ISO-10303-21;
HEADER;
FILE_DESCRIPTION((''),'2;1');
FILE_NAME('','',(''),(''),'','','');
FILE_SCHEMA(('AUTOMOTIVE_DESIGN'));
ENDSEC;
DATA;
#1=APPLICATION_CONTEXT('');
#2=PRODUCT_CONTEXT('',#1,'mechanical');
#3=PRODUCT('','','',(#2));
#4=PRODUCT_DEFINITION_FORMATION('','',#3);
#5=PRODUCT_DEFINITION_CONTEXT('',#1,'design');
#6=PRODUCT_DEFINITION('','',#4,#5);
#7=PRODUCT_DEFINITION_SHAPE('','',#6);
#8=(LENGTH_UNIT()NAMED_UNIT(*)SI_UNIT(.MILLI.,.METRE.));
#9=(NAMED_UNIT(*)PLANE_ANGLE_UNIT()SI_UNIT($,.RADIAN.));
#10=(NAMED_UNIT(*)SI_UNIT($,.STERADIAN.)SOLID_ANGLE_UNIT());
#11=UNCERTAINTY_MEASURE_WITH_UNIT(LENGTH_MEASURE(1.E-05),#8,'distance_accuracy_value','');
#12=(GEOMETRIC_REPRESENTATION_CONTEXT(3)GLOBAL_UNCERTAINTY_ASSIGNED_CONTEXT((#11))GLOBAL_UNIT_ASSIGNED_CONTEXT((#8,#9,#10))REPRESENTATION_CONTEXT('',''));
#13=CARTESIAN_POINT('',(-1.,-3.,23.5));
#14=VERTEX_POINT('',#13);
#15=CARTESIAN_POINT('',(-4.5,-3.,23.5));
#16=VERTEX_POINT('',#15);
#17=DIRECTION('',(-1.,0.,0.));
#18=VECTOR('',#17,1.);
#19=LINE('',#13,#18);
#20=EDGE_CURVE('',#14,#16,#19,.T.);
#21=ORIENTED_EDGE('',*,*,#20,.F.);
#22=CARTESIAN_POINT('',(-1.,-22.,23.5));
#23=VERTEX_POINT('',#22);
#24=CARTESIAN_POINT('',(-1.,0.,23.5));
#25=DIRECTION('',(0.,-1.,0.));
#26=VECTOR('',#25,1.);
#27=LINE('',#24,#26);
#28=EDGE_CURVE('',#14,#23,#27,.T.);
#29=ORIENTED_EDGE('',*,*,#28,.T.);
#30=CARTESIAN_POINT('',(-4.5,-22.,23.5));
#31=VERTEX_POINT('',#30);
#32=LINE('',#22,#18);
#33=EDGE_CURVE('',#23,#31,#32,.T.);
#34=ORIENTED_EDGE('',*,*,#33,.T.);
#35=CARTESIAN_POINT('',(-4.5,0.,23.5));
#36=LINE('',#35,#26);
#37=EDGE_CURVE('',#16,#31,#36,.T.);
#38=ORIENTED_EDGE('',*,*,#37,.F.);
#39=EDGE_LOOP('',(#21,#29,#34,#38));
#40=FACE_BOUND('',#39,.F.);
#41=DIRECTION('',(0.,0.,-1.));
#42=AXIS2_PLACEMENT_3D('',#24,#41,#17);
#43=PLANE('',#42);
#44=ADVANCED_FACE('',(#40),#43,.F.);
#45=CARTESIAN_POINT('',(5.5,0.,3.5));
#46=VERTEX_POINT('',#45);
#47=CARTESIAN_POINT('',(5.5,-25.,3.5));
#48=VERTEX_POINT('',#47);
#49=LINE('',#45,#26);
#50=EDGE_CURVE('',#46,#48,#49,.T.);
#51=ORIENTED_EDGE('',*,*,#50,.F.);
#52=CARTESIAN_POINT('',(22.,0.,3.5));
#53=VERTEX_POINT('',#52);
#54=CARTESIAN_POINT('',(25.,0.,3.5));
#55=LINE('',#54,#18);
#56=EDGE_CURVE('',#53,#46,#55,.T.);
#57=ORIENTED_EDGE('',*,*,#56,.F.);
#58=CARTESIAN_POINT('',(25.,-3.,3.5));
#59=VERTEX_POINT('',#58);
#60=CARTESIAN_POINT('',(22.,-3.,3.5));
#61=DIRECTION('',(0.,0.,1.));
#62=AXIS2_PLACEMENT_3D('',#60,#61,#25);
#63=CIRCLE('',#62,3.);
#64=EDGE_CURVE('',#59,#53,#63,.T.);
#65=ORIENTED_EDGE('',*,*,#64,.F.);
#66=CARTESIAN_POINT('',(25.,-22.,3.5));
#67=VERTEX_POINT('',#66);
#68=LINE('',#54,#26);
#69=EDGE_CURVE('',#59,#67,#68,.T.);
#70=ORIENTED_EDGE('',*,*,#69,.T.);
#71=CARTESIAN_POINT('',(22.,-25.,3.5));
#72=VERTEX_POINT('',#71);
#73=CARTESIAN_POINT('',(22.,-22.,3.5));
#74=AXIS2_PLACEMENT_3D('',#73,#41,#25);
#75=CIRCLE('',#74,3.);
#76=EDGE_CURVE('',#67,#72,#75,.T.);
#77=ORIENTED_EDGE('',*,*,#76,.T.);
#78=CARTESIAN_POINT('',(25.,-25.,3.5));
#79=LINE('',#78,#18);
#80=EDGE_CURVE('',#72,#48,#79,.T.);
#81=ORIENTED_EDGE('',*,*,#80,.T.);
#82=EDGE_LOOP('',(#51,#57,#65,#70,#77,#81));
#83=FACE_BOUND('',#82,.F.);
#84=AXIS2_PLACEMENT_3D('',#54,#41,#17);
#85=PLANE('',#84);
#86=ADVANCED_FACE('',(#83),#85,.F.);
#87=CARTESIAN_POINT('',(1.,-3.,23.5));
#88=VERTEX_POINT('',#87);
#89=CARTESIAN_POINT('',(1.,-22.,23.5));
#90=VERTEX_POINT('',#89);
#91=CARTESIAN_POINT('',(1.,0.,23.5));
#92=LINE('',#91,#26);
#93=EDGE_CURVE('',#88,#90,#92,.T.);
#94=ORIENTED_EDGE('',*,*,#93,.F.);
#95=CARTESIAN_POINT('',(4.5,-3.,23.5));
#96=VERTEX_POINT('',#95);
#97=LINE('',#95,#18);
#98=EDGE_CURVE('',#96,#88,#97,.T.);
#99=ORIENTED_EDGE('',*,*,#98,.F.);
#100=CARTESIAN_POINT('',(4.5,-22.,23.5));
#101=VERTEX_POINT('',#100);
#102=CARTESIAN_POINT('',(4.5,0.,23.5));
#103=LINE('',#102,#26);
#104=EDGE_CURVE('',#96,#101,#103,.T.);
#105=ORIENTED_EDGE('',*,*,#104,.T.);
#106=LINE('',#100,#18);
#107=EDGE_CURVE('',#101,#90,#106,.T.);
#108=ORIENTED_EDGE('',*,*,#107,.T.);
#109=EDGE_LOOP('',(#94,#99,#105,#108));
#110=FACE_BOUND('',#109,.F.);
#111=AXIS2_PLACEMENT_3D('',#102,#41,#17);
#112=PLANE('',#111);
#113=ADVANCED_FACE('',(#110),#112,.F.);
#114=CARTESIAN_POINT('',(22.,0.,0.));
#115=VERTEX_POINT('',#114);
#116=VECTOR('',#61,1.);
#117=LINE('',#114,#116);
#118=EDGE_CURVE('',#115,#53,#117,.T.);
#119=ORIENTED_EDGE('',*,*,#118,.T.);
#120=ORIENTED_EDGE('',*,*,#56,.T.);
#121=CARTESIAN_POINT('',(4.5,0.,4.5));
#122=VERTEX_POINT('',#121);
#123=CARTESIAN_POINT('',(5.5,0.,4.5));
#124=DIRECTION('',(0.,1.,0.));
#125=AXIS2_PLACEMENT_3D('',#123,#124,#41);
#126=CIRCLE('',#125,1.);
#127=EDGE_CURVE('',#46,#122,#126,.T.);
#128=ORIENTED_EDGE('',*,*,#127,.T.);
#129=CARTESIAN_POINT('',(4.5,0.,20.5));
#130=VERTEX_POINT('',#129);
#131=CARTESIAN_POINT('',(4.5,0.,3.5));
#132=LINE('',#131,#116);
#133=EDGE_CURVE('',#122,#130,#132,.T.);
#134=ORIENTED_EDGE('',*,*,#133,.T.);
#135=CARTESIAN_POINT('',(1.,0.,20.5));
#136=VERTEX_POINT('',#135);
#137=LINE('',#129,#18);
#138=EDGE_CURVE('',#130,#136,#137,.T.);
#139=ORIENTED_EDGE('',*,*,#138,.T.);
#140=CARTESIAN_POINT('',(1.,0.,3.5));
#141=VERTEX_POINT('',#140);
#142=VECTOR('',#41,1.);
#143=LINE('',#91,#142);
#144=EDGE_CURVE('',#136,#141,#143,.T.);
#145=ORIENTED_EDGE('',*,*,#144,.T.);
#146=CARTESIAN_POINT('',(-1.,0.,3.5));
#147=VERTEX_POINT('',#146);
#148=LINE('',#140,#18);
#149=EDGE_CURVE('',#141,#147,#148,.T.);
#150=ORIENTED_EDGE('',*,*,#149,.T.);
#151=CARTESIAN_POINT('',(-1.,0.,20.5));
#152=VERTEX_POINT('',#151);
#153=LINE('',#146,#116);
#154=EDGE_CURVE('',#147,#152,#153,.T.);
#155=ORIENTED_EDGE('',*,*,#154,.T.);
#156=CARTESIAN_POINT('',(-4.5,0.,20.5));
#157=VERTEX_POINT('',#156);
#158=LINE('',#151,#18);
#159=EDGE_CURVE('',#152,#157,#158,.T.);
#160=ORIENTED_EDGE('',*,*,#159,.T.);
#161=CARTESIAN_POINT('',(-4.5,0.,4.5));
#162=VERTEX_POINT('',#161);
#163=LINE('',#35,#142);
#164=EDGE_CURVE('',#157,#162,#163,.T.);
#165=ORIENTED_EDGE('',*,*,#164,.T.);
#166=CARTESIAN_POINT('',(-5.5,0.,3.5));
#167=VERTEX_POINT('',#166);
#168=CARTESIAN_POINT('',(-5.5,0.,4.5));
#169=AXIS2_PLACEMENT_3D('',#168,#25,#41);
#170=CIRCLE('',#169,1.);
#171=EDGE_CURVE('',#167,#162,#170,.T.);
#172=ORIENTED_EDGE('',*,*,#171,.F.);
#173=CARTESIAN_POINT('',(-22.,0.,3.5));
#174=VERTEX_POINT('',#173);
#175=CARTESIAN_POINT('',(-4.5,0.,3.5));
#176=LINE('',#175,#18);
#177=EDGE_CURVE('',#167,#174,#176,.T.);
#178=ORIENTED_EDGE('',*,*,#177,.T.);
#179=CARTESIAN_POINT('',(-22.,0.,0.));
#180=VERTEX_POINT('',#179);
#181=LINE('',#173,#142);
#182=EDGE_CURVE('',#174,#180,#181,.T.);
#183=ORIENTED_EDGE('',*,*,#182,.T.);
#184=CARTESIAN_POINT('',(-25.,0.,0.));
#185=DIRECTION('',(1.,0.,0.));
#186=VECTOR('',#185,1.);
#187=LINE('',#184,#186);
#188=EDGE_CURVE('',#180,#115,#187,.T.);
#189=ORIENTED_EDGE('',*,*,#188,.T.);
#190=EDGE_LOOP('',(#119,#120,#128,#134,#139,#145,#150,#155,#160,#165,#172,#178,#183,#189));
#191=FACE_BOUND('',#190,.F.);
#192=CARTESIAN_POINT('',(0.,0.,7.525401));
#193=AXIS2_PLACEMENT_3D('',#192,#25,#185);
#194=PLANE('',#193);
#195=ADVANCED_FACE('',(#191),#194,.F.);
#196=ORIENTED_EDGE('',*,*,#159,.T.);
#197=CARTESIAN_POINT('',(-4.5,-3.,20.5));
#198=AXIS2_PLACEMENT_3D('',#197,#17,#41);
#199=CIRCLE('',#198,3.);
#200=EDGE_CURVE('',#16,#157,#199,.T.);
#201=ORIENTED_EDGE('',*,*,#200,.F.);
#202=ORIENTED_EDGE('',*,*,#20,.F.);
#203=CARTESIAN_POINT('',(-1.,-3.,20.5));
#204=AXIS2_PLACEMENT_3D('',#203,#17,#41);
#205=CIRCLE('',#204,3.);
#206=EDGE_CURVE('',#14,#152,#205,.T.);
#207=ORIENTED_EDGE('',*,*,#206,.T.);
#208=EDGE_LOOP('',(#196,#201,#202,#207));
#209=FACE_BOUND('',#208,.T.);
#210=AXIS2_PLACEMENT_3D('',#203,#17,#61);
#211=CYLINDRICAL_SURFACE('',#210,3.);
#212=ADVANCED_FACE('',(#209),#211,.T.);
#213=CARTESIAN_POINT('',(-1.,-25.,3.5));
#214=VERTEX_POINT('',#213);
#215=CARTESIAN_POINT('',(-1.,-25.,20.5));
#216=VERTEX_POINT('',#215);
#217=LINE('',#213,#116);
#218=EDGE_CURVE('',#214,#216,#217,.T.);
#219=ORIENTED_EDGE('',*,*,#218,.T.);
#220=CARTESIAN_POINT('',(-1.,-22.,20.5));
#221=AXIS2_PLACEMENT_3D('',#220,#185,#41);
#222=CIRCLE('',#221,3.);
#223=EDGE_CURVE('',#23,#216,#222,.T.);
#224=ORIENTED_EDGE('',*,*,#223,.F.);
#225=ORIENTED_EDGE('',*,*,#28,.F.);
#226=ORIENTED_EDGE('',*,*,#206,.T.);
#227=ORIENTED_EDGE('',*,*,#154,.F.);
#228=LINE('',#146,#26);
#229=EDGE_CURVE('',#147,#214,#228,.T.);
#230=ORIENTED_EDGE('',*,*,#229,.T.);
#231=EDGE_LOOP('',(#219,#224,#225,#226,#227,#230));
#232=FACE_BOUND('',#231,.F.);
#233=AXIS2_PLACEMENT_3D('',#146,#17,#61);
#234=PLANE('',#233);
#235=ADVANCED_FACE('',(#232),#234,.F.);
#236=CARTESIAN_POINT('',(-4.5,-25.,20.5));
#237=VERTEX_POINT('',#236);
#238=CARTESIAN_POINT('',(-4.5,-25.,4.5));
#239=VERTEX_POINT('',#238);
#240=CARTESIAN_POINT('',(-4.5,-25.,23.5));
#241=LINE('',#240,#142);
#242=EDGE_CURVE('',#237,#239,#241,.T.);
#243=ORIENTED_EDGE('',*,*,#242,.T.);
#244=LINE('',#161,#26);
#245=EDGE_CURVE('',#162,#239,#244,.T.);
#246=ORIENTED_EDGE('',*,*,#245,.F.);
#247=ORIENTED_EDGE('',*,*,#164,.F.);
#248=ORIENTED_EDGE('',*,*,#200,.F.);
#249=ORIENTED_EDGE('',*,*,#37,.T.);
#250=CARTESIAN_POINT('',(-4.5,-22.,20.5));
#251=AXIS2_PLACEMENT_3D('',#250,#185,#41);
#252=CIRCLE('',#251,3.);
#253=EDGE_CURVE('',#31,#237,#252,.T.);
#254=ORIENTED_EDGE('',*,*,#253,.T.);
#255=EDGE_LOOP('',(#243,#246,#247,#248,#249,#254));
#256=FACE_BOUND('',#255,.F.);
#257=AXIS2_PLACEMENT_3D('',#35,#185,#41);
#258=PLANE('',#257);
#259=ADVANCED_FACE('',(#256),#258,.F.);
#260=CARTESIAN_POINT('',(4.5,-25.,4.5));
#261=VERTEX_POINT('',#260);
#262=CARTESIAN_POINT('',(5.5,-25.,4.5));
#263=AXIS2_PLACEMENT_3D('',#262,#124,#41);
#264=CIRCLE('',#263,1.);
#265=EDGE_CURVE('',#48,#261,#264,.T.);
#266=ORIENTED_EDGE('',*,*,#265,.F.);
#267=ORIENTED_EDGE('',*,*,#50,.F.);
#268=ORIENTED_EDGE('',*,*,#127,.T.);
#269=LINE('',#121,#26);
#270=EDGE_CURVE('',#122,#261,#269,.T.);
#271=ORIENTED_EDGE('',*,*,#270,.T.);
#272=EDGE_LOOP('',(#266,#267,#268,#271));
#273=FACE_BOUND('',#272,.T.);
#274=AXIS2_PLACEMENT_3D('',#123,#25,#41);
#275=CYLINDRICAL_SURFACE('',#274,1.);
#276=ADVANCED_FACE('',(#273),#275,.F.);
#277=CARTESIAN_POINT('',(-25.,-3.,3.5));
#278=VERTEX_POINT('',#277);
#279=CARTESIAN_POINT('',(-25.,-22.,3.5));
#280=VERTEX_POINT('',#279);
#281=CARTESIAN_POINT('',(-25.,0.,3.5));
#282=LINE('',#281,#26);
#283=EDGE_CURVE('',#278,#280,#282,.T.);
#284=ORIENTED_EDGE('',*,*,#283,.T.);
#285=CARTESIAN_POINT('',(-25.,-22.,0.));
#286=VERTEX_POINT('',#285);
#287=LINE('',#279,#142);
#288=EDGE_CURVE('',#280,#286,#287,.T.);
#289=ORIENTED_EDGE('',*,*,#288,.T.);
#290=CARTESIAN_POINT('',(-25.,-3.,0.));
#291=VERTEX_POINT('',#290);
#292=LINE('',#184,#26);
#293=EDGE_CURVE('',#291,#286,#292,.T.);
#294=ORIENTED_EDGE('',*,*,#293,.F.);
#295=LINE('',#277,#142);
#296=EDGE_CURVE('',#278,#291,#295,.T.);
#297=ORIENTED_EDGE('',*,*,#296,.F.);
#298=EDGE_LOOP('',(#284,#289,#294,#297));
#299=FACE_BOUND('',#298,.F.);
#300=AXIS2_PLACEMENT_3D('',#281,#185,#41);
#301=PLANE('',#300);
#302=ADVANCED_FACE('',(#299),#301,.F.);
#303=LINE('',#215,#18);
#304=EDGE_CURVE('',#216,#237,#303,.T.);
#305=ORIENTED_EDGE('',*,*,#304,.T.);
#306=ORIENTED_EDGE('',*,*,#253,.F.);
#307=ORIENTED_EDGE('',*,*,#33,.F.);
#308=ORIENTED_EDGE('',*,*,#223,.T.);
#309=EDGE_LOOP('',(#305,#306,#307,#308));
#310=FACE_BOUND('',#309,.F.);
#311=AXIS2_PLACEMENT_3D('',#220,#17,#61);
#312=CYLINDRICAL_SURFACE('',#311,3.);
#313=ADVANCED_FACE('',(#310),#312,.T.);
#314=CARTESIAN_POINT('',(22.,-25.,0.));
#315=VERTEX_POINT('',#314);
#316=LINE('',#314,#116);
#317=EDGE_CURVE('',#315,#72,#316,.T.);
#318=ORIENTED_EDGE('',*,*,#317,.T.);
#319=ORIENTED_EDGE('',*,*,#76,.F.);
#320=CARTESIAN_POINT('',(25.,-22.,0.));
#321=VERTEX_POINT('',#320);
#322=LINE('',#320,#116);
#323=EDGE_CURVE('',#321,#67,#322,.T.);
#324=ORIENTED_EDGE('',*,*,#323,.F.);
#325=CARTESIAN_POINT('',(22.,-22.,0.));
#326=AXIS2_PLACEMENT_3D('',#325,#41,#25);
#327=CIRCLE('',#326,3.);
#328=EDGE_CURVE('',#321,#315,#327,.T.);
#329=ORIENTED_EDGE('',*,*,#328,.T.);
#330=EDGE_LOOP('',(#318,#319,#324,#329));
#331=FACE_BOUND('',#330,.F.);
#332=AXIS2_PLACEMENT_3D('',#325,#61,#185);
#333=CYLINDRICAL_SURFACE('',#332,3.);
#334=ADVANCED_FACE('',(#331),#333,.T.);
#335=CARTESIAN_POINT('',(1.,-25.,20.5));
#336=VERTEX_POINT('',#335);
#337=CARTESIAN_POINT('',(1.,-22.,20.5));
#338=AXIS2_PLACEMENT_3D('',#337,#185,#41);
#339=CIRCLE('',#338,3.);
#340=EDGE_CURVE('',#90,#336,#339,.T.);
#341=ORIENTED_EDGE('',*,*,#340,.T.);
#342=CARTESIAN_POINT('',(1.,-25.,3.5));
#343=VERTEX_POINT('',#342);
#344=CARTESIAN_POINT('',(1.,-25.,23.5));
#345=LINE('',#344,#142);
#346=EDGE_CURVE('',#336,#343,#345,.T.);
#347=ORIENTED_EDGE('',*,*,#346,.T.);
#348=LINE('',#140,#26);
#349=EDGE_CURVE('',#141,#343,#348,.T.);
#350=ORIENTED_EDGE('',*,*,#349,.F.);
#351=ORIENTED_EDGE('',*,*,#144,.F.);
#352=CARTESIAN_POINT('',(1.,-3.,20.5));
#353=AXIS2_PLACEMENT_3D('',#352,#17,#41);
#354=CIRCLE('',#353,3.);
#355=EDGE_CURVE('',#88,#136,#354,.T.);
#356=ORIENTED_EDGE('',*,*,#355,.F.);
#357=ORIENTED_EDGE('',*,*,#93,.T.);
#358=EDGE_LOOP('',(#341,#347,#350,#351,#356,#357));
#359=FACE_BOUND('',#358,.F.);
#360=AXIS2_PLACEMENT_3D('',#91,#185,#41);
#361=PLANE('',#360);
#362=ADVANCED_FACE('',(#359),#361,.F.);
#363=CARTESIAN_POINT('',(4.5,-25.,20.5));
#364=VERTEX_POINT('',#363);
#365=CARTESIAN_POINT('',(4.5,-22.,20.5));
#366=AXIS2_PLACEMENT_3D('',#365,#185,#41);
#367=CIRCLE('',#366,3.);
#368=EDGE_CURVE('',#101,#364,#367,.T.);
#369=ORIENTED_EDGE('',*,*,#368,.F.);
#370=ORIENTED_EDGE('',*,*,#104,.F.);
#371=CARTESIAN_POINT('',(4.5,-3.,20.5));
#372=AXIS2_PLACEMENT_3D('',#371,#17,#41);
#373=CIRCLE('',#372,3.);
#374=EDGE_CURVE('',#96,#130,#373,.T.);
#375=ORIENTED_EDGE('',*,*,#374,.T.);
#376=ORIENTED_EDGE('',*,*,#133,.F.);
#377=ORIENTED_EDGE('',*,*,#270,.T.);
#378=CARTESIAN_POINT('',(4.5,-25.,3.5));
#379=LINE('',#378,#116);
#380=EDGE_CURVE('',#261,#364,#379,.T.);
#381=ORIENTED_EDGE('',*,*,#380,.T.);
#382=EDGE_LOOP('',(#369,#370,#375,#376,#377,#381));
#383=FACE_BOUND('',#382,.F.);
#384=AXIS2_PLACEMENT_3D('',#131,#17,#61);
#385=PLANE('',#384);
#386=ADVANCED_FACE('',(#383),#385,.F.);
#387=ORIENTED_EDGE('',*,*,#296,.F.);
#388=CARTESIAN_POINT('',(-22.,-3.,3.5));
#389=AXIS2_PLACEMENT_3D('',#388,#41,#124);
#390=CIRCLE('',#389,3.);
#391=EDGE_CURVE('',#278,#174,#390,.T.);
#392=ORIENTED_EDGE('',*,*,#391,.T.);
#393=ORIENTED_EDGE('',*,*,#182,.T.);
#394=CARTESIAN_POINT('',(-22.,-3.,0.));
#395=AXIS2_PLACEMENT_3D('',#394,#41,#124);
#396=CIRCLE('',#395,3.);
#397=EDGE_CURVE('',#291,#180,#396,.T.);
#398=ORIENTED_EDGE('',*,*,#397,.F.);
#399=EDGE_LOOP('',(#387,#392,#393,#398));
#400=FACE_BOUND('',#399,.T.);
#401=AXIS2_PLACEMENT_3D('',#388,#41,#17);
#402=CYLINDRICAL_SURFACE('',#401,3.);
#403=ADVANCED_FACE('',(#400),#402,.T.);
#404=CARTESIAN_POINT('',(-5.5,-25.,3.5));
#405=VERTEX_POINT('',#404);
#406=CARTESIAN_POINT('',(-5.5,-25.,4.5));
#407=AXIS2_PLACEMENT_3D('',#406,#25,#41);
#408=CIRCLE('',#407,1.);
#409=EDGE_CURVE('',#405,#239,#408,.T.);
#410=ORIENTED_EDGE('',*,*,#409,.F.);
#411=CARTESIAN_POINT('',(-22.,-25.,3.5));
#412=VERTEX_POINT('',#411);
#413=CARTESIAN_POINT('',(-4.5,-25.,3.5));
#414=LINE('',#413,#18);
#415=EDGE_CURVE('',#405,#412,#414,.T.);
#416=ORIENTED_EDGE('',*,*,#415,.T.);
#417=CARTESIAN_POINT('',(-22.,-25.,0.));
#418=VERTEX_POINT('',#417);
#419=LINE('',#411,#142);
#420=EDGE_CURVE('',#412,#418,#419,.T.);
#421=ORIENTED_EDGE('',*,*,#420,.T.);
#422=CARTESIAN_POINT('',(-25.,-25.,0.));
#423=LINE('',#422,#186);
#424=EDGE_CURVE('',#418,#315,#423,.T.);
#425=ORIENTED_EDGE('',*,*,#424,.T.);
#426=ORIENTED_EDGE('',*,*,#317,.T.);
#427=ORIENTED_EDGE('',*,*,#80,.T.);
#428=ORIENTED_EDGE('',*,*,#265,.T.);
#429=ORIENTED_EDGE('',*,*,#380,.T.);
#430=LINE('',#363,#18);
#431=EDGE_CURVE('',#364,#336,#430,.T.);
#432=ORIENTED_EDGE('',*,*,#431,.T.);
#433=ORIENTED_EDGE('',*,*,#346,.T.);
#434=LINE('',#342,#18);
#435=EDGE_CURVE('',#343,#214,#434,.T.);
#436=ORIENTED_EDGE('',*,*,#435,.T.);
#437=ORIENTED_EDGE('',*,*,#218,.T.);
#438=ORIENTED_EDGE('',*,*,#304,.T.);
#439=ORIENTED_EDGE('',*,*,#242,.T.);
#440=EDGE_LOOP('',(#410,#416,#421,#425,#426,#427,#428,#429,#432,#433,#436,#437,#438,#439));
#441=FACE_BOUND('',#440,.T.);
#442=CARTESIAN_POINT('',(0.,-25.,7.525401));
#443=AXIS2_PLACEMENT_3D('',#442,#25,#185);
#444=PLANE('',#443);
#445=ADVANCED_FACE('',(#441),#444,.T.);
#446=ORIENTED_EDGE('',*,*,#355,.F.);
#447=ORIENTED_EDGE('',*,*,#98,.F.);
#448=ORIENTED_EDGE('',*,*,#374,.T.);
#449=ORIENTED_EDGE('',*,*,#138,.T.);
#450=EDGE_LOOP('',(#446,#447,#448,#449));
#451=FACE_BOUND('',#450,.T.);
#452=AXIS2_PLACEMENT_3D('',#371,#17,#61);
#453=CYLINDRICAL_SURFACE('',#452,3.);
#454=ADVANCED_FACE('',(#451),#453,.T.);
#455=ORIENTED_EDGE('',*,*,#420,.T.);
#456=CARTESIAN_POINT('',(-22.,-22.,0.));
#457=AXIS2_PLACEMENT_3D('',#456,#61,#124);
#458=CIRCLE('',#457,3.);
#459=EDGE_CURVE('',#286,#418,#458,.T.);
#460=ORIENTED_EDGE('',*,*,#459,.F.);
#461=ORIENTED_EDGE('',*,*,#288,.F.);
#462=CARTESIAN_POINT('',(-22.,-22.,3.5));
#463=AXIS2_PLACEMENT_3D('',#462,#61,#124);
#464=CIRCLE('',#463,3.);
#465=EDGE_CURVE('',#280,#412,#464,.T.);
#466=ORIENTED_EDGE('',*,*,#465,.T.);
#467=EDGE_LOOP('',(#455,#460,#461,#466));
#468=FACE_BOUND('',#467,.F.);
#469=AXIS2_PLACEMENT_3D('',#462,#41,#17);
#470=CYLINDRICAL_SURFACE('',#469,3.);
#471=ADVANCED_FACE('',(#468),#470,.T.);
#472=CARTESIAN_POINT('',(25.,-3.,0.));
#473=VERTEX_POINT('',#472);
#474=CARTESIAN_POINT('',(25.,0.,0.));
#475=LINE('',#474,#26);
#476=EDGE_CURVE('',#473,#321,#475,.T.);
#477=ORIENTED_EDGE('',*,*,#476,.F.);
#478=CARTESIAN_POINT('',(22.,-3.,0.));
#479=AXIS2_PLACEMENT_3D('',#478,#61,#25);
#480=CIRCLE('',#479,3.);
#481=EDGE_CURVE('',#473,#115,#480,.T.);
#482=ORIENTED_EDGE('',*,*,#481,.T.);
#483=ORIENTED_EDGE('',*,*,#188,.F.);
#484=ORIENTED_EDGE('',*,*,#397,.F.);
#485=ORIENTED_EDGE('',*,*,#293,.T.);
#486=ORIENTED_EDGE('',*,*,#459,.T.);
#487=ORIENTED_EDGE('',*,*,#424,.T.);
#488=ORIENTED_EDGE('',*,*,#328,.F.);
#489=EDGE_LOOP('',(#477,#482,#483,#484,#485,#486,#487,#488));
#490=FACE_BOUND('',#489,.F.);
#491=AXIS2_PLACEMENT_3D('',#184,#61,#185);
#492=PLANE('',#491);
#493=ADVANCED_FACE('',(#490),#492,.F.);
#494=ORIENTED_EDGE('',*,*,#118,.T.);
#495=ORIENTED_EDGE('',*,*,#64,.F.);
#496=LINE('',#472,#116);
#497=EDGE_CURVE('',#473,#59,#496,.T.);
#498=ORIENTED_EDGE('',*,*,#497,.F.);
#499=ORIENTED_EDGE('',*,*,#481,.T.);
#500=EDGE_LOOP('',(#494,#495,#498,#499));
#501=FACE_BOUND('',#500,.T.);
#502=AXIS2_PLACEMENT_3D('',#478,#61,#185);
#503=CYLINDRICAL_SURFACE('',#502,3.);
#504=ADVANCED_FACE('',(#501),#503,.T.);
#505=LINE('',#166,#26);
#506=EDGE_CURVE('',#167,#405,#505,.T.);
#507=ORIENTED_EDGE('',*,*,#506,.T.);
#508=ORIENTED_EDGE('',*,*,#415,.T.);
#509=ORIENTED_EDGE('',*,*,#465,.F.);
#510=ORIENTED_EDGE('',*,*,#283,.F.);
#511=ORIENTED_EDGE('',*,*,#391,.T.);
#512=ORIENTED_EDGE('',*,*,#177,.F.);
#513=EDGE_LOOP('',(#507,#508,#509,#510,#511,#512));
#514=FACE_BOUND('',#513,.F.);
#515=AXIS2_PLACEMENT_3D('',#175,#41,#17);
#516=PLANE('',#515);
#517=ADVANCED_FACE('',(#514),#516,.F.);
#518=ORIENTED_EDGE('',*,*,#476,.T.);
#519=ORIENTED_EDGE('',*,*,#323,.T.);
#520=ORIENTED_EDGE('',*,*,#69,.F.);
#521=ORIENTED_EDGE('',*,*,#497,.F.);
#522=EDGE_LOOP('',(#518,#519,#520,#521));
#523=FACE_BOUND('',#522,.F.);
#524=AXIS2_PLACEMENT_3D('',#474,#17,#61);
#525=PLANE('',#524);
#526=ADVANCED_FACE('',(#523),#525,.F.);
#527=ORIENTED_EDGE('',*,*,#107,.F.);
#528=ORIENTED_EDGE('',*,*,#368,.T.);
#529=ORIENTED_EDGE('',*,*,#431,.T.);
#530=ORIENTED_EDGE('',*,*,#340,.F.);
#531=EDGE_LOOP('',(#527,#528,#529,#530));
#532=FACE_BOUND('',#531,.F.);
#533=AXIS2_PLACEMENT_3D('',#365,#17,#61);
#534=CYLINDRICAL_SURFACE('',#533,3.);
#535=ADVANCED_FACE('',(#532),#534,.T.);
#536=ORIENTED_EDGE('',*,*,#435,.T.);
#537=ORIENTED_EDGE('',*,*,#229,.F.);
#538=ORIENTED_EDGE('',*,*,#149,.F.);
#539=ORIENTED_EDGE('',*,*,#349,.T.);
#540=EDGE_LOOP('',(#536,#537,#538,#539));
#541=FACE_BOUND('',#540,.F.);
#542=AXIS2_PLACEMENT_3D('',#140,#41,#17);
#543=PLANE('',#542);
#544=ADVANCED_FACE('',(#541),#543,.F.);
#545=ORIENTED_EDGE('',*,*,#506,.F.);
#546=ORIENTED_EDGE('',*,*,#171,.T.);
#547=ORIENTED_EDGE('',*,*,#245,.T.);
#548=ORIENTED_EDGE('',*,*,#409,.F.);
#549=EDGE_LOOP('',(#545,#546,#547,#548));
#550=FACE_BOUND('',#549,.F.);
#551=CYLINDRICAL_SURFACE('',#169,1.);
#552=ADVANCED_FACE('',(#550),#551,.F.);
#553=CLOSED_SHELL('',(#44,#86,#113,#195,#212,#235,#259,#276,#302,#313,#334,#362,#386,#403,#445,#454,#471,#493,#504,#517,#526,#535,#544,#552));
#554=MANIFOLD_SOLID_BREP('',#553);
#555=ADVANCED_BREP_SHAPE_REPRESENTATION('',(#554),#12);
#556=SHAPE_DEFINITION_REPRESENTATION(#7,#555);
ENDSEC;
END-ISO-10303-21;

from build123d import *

# Parameters (mm, degrees)
F1_DEPTH = 25
F2_R     = 3
F3_R     = 1


with BuildPart() as f1:
    # F0 (on Front) → F1 (new body)
    with BuildSketch(Plane.XZ):
        Polygon((-25, 3.5), (-25, 0), (25, 0), (25, 3.5), (4.5, 3.5), (4.5, 23.5), (1, 23.5), (1, 3.5), (-1, 3.5), (-1, 23.5), (-4.5, 23.5), (-4.5, 3.5), align=None)
    extrude(amount=F1_DEPTH)

    # F2
    f2_edges = [f1.edges().sort_by_distance(p)[0] for p in [
        (-25, -25, 1.75),
        (-25, 0, 1.75),
        (-2.75, 0, 23.5),
        (-2.75, -25, 23.5),
        (2.75, -25, 23.5),
        (2.75, 0, 23.5),
        (25, -25, 1.75),
        (25, 0, 1.75),
    ]]
    fillet(f2_edges, radius=F2_R)

    # F3
    f3_edges = [f1.edges().sort_by_distance(p)[0] for p in [
        (-4.5, -12.5, 3.5),
        (4.5, -12.5, 3.5),
    ]]
    fillet(f3_edges, radius=F3_R)


solid = f1.part
